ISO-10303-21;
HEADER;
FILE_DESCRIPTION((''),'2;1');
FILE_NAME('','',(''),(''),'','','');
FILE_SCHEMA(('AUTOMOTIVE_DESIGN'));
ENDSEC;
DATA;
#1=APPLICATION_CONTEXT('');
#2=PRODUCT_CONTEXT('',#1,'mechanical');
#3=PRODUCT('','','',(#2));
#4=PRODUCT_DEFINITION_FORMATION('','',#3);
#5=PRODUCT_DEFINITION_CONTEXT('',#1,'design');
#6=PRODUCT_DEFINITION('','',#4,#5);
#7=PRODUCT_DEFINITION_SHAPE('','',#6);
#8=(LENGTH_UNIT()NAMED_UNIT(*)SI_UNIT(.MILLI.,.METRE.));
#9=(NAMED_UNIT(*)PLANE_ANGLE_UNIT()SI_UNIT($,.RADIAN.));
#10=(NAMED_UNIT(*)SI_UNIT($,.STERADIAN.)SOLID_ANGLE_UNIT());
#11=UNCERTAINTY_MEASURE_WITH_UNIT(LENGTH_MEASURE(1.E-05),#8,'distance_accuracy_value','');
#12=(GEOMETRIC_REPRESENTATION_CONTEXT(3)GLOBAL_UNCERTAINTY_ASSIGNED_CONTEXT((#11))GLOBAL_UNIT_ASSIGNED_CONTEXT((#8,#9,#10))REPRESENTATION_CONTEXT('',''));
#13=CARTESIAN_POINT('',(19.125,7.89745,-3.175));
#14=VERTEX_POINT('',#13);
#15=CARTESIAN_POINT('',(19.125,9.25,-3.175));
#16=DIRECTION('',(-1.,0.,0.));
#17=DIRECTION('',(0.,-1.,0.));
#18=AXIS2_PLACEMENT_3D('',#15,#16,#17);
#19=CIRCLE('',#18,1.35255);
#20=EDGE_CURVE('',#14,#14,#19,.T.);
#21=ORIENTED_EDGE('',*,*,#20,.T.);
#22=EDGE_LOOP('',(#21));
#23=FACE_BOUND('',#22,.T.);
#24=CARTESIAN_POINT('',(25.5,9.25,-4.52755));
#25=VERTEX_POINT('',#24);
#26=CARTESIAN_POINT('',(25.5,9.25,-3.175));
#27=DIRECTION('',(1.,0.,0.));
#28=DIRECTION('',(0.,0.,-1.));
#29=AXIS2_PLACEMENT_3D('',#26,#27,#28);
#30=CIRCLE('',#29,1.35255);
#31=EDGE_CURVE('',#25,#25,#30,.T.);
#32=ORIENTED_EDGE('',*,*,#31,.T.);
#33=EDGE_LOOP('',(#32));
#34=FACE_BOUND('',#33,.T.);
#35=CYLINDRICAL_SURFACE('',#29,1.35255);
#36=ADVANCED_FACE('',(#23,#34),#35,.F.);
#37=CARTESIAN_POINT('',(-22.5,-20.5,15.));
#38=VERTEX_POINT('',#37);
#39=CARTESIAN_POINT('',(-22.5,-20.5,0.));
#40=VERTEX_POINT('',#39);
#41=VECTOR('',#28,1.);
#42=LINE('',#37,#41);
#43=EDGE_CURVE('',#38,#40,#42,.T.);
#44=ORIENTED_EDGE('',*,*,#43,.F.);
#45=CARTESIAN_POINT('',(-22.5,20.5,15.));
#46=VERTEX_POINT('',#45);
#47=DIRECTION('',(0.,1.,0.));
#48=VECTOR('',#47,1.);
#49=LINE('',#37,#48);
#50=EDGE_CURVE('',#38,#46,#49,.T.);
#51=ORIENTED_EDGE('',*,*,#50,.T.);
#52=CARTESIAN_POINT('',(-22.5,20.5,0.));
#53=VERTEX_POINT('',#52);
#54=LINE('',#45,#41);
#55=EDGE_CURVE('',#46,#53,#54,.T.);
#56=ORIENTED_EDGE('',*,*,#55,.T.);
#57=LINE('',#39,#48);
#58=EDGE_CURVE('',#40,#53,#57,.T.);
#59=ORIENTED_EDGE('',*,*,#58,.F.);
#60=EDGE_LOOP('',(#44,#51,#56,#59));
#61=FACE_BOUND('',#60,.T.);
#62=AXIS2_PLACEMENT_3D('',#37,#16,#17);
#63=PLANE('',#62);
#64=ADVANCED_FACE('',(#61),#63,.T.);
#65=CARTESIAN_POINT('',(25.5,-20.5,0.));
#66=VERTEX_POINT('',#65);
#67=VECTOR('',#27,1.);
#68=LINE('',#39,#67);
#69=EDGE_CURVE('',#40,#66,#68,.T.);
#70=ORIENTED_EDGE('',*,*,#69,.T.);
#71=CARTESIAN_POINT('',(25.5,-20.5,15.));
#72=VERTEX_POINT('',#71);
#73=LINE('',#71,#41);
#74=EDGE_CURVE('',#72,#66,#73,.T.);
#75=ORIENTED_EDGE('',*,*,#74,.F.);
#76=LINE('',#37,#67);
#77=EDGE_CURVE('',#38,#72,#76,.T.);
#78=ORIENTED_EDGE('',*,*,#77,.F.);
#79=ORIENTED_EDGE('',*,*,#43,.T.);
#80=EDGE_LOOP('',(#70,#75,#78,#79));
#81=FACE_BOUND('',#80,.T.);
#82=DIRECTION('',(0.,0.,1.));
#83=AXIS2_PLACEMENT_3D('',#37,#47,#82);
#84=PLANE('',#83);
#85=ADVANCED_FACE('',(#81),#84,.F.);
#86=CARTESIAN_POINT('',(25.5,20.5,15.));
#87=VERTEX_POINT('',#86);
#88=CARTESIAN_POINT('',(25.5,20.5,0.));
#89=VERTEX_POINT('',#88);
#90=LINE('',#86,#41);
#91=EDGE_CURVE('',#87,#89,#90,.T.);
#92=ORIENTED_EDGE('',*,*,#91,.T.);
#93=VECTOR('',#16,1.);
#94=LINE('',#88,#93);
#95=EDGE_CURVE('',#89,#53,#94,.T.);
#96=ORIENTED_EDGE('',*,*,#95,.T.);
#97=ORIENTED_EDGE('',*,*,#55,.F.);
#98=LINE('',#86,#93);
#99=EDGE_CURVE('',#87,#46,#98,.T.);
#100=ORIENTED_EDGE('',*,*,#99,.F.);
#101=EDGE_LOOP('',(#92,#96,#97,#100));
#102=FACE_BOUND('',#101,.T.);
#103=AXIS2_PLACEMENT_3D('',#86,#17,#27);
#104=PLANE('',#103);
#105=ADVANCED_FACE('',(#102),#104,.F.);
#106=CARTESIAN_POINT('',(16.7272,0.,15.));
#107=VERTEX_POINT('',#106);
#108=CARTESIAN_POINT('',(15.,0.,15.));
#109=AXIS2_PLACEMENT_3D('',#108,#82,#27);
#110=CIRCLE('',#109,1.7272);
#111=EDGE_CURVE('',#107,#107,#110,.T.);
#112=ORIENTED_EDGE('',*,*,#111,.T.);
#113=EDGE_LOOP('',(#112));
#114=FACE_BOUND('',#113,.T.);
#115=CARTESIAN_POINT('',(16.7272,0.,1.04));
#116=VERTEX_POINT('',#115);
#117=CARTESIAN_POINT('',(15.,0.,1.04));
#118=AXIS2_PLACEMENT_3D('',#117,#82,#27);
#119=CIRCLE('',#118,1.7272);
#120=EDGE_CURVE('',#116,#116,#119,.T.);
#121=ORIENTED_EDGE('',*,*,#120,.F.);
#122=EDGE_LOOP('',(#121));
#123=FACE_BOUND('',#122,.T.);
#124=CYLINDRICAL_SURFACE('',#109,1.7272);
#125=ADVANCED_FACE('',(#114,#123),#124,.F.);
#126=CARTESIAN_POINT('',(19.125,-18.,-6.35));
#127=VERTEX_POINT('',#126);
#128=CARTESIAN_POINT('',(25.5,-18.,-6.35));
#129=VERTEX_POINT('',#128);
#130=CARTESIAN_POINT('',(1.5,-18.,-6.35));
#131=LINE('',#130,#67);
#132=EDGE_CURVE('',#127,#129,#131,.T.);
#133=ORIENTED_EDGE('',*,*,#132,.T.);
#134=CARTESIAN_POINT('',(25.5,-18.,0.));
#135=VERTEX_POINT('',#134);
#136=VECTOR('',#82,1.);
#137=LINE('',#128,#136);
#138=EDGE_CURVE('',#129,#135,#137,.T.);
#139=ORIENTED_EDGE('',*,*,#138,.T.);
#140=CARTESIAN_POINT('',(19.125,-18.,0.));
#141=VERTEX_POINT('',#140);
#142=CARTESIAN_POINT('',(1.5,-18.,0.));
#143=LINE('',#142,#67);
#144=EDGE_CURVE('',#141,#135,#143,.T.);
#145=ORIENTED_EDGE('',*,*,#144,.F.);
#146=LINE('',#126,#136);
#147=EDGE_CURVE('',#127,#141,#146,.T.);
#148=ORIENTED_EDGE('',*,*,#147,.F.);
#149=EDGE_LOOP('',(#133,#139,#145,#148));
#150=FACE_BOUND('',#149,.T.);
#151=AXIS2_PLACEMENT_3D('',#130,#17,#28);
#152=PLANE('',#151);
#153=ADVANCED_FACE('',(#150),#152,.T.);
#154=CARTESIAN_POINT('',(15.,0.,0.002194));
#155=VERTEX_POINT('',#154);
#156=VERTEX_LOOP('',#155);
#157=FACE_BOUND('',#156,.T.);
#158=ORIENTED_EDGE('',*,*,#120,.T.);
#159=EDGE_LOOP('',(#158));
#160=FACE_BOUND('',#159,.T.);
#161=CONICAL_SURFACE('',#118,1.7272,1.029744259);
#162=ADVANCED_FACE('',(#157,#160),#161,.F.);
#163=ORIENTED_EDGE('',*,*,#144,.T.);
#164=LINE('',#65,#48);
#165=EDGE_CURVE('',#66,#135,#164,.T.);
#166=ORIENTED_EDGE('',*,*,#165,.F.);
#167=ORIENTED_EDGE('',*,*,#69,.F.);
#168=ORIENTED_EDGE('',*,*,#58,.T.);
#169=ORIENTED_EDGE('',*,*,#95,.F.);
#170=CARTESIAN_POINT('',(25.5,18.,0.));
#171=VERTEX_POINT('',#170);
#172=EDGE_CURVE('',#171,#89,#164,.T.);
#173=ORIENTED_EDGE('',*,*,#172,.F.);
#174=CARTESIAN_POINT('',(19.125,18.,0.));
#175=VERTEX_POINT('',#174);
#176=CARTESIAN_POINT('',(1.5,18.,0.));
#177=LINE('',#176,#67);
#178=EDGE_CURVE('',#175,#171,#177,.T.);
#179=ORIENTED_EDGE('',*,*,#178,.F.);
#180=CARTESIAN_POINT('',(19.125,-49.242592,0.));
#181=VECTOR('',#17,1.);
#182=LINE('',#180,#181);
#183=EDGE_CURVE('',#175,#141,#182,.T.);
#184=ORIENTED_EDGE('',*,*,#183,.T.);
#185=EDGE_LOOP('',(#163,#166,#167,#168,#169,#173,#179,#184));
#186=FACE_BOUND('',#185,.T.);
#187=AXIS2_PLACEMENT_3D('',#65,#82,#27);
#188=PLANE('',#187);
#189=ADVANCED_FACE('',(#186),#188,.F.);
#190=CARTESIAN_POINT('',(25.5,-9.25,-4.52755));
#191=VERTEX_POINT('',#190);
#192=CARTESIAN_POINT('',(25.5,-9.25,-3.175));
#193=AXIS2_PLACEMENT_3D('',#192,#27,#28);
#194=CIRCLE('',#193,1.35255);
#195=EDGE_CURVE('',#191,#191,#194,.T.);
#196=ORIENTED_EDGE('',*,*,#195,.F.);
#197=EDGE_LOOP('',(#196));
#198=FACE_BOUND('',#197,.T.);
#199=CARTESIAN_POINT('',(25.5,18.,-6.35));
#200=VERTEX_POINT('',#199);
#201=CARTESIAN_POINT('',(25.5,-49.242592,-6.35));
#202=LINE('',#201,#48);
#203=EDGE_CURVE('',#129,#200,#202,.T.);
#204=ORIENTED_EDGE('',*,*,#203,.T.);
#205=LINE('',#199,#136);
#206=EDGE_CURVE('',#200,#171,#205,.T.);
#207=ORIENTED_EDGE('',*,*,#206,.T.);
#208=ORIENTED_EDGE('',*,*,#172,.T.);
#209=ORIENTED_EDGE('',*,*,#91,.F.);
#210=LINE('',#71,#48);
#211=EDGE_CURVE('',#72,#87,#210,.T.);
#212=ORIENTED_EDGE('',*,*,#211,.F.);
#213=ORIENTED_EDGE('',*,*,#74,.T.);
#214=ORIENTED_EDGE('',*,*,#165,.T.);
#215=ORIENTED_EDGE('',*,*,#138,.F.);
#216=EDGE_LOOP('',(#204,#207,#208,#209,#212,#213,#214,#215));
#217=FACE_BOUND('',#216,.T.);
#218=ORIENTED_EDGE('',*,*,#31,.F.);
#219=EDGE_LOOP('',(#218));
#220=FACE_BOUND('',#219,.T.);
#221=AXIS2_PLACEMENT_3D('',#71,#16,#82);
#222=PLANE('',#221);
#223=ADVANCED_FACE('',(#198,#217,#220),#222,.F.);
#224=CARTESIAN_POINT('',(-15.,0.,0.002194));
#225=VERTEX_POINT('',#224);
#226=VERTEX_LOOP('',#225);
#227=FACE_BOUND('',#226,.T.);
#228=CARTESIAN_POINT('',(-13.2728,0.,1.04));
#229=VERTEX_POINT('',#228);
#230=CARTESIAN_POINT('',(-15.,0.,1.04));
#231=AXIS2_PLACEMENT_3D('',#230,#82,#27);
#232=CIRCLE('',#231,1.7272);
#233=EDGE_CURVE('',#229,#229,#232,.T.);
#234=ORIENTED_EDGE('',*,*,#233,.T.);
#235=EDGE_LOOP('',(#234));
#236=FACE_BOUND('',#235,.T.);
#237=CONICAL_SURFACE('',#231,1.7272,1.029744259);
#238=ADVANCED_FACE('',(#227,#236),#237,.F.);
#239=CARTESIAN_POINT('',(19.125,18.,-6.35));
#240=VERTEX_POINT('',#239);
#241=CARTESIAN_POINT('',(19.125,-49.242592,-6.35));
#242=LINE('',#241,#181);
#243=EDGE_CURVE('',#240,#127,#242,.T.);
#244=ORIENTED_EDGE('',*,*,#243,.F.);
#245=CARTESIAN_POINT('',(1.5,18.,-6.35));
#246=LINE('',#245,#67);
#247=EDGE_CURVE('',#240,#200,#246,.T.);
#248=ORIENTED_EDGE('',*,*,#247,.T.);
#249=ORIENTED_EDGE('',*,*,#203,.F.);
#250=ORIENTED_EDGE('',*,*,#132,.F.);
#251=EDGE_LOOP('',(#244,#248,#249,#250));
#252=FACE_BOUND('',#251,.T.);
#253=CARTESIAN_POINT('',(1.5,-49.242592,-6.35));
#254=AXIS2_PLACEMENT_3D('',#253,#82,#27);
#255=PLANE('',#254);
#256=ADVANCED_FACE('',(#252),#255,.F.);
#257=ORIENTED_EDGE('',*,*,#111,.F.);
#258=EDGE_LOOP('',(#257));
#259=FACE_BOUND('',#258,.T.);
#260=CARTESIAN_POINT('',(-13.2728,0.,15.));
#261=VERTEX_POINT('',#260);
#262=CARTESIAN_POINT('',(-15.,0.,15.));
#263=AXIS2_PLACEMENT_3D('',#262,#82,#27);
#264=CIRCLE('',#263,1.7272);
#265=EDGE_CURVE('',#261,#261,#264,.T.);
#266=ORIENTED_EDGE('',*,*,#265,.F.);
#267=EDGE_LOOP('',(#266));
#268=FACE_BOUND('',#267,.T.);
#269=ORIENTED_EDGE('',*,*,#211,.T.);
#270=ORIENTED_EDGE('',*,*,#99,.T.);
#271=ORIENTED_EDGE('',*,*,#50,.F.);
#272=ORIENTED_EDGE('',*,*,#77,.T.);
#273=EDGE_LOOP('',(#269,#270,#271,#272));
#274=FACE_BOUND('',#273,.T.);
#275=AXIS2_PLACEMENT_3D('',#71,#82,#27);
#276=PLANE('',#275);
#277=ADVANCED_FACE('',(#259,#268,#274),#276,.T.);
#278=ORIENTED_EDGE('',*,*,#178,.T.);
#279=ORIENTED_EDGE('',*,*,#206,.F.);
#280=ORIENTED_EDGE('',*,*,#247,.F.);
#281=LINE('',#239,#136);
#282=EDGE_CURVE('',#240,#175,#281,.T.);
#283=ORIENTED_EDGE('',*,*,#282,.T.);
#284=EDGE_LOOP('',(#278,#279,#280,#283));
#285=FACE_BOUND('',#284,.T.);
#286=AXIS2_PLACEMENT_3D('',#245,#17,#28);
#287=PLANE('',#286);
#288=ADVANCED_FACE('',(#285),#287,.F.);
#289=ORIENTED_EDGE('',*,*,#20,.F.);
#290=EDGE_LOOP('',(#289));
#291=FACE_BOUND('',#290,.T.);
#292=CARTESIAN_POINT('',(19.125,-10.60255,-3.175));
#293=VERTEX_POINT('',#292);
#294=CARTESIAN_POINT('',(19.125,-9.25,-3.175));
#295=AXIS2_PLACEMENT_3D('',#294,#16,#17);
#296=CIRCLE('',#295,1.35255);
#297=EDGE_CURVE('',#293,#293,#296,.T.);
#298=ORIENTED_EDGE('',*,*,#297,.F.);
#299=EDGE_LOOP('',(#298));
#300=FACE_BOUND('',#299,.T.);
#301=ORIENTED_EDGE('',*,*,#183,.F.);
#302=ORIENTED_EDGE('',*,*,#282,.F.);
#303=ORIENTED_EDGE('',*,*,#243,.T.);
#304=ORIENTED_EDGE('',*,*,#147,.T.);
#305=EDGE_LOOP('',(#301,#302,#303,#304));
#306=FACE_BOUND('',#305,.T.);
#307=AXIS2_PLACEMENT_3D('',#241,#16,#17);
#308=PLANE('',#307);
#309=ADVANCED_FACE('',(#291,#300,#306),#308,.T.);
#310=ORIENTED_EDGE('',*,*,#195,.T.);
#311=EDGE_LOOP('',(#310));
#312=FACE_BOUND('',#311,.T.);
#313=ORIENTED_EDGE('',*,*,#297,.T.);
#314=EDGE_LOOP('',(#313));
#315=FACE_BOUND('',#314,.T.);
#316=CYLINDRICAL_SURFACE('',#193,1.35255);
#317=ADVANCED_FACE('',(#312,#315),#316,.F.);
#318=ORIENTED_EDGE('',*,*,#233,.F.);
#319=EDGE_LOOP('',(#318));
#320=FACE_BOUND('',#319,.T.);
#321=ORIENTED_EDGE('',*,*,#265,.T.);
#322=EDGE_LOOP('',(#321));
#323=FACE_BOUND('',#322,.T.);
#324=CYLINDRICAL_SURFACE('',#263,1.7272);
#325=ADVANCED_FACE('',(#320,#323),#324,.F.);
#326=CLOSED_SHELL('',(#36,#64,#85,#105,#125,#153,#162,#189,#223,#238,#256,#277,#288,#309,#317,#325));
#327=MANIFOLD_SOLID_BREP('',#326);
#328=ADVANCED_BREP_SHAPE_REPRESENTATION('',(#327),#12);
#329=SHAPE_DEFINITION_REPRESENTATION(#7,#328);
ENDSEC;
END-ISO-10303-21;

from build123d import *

# Parameters (mm, degrees)
SKETCH1_W                 = 48
SKETCH1_H                 = 41
BASE_EXTRUSION_DEPTH      = 15
SKETCH1_14_W              = 6.375
SKETCH1_14_H              = 36
CLEARANCE_EXTENSION_DEPTH = 6.35
F_8_32_TAPPED_HOLE6_D     = 3.4544
F_8_32_TAPPED_HOLE6_DEPTH = 13.96
F_8_32_TAPPED_HOLE6_TIP   = 1.037806461
F_6_32_TAPPED_HOLE1_D     = 2.7051


with BuildPart() as part:
    # Sketch1 → Base Extrusion (new body)
    with BuildSketch(Plane.XY):
        with Locations((1.5, 0)):
            Rectangle(SKETCH1_W, SKETCH1_H)
    extrude(amount=BASE_EXTRUSION_DEPTH)

    # Sketch1<14> → Clearance Extension (add)
    with BuildSketch(Plane.XY):
        with Locations((22.3125, 0)):
            Rectangle(SKETCH1_14_W, SKETCH1_14_H)
    extrude(amount=-CLEARANCE_EXTENSION_DEPTH)

    # #8-32 Tapped Hole6
    with Locations(Plane(origin=(15, 0, 15), x_dir=(1, 0, 0), z_dir=(0, 0, 1))):
        with Locations((0, 0), (-30, 0)):
            Hole(F_8_32_TAPPED_HOLE6_D / 2, depth=F_8_32_TAPPED_HOLE6_DEPTH)
            with Locations((0, 0, -(F_8_32_TAPPED_HOLE6_DEPTH + F_8_32_TAPPED_HOLE6_TIP / 2))):  # 118° drill point
                Cone(0, F_8_32_TAPPED_HOLE6_D / 2, F_8_32_TAPPED_HOLE6_TIP, mode=Mode.SUBTRACT)

    # #6-32 Tapped Hole1 (through all)
    with Locations(Plane(origin=(25.5, 0, 0), x_dir=(0, 0, -1), z_dir=(1, 0, 0))):
        with Locations((3.175, 9.25), (3.175, -9.25)):
            Hole(F_6_32_TAPPED_HOLE1_D / 2)


solid = part.part
